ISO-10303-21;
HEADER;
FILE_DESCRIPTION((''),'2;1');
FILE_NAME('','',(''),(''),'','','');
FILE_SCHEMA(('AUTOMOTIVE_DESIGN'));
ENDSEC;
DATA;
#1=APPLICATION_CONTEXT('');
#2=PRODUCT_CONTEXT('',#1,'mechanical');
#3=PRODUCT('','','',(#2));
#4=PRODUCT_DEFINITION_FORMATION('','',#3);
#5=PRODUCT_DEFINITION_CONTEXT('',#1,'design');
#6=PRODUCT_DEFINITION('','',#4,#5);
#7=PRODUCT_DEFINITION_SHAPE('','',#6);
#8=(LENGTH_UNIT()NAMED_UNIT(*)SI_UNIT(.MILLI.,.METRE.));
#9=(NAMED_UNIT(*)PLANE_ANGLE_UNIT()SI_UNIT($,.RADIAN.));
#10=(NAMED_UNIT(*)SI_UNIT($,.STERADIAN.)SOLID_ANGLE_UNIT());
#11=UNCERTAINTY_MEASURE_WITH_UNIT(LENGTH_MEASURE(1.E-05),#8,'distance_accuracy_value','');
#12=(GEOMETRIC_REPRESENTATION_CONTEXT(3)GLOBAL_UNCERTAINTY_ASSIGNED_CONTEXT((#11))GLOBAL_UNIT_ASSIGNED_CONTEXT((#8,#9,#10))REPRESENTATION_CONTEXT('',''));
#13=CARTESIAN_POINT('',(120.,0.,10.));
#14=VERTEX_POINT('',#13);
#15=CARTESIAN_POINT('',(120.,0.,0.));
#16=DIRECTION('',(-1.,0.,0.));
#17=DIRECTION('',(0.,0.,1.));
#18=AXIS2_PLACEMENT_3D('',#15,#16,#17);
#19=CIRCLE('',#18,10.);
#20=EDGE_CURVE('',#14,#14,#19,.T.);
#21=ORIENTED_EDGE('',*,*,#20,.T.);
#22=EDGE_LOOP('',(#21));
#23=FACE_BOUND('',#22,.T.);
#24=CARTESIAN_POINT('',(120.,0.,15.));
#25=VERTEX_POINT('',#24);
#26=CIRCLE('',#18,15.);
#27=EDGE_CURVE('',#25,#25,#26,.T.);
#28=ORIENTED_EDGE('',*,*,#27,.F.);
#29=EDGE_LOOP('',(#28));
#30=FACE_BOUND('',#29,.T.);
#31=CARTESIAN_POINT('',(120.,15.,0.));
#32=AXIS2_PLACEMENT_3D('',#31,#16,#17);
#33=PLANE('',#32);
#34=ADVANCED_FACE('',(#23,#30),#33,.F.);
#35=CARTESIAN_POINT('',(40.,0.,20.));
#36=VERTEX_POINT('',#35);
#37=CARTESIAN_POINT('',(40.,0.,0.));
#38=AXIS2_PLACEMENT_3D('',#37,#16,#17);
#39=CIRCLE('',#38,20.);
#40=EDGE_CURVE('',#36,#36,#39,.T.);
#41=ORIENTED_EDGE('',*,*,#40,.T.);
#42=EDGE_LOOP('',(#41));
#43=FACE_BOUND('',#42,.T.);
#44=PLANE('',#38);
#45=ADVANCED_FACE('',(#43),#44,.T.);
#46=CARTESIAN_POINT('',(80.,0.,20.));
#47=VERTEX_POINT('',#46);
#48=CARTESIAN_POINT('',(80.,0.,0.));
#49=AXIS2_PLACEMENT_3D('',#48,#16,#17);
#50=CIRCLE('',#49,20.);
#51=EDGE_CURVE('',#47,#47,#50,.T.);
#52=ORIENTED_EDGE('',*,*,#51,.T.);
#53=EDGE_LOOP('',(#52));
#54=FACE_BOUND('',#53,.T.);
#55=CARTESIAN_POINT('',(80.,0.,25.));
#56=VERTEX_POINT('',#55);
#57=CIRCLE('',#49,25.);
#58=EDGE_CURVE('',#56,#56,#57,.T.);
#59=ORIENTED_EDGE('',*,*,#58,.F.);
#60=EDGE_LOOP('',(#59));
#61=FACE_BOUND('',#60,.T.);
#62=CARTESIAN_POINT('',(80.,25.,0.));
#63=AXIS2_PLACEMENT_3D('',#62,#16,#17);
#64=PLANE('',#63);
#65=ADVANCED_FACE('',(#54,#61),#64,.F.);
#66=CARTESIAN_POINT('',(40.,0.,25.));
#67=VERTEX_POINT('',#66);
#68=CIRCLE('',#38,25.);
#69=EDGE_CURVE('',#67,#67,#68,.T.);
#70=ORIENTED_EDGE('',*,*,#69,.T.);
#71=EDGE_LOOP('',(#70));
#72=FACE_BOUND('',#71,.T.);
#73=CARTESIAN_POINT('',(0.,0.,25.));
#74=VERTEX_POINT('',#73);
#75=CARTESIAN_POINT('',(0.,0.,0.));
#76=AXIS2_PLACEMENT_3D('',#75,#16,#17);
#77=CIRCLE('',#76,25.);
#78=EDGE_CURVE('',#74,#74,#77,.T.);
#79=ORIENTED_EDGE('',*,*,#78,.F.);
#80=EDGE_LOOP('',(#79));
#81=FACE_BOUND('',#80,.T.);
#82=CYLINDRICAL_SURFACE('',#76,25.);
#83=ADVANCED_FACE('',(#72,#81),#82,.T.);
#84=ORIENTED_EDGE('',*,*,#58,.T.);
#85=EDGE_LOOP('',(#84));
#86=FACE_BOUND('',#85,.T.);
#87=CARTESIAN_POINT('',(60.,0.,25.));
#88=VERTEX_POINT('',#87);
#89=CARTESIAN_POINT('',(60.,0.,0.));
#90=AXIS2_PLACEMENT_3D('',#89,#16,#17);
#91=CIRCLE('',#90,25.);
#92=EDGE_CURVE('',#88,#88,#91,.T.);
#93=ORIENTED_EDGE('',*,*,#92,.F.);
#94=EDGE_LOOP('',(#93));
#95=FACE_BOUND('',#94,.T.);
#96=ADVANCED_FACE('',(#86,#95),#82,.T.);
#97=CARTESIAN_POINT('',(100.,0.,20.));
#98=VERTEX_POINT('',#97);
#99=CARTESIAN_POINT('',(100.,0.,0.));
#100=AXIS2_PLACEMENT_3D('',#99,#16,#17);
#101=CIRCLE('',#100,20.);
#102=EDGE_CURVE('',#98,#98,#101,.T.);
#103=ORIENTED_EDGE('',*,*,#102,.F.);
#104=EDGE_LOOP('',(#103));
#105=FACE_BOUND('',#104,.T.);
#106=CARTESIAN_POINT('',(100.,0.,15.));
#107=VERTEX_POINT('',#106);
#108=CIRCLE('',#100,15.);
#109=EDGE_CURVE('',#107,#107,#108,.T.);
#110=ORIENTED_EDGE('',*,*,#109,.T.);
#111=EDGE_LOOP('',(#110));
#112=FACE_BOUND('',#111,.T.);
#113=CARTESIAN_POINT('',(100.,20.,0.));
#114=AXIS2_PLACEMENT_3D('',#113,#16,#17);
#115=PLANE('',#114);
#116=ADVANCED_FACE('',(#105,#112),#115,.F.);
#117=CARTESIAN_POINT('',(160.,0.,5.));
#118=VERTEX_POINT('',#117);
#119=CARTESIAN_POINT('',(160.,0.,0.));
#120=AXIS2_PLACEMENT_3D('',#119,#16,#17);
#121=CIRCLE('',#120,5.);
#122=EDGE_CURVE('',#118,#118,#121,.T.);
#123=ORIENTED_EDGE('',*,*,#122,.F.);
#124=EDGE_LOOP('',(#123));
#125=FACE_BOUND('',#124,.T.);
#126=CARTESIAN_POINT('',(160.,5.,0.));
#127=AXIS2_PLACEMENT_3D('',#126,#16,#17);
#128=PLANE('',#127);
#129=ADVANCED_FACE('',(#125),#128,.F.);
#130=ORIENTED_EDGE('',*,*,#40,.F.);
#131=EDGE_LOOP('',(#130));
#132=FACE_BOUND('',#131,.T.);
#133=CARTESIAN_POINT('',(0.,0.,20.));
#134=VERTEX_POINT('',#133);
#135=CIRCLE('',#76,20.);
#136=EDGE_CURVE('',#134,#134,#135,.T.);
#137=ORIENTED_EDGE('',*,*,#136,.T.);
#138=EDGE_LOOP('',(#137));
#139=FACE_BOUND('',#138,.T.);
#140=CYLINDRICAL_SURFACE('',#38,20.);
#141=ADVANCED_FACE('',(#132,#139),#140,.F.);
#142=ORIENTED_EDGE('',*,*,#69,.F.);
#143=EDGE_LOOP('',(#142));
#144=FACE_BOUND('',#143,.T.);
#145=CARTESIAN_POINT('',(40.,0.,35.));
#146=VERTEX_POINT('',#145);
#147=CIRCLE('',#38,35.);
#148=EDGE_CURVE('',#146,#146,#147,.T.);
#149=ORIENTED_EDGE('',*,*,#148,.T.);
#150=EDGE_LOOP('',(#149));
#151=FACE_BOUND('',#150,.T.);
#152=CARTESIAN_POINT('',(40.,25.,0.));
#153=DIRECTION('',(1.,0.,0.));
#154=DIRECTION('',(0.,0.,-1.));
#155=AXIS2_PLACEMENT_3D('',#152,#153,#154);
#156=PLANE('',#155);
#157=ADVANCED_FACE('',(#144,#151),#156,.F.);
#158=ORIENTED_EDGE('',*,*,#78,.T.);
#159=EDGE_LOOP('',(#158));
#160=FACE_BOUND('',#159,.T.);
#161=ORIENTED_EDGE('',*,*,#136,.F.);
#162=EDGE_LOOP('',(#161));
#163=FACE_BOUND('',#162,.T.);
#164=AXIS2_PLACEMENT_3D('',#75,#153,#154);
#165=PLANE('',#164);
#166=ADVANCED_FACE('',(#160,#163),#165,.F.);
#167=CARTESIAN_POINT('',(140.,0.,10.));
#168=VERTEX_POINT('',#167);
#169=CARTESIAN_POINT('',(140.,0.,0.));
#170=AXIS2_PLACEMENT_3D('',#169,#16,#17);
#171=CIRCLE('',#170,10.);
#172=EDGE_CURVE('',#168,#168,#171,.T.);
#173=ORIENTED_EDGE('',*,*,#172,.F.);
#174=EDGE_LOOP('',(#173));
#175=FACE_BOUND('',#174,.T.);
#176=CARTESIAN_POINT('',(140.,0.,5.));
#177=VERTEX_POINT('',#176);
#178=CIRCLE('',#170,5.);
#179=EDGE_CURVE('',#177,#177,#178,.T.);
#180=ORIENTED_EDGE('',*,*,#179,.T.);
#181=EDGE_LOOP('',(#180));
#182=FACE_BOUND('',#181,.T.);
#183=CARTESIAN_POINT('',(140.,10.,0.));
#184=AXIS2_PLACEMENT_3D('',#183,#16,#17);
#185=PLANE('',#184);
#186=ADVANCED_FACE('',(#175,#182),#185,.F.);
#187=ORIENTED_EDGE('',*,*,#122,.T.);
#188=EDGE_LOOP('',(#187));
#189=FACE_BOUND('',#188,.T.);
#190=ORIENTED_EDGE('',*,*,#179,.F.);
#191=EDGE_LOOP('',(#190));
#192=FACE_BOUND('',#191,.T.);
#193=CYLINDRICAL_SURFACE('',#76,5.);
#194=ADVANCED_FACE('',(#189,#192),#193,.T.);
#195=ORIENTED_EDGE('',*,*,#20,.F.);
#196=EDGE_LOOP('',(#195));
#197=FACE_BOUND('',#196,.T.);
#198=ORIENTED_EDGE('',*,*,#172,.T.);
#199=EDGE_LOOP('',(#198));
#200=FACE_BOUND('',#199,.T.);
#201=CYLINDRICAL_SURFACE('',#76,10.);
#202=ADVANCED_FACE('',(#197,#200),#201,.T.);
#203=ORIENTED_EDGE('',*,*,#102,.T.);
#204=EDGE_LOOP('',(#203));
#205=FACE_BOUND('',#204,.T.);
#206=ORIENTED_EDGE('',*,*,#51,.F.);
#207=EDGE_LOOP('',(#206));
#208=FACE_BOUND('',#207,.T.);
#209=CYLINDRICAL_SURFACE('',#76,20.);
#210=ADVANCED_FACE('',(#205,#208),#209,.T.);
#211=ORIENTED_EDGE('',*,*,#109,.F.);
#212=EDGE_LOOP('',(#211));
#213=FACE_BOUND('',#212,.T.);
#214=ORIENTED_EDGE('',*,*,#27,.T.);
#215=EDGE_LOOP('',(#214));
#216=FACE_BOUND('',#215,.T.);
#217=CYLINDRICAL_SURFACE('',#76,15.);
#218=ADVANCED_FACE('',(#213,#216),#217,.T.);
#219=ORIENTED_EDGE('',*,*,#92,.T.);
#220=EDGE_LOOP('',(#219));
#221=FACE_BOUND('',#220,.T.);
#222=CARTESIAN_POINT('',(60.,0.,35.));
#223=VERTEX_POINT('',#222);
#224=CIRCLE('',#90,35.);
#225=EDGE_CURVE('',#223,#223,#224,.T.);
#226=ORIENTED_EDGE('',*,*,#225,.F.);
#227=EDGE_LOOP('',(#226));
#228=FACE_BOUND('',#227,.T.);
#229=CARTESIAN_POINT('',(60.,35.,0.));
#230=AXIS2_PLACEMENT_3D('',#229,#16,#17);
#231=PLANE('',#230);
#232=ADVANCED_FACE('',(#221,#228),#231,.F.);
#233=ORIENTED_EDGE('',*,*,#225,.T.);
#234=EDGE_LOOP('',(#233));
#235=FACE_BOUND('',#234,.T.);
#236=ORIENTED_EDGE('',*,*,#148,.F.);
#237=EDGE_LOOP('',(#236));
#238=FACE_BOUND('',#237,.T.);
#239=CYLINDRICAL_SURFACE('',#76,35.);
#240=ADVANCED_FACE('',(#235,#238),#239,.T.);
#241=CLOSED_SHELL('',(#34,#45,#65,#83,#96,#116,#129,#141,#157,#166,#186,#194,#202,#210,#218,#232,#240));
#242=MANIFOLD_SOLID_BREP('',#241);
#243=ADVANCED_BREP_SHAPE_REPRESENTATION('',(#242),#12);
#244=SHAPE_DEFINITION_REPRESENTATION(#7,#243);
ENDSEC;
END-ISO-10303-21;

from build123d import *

# Parameters (mm, degrees)
SKETCH2_R          = 20
CUT_EXTRUDE1_DEPTH = 40


with BuildPart() as part:
    # Sketch1 → Revolve2 (revolve)
    with BuildSketch(Plane.XY, mode=Mode.PRIVATE) as revolve2_sk:
        Polygon((0, 0), (0, 25), (40, 25), (40, 35), (60, 35), (60, 25), (80, 25), (80, 20), (100, 20), (100, 15), (120, 15), (120, 10), (140, 10), (140, 5), (160, 5), (160, 0), align=None)
    revolve(revolve2_sk.sketch.rotate(Axis((0, 0, 0), (1, 0, 0)), 90), axis=Axis((0, 0, 0), (1, 0, 0)))  # turned: the seam where the file's is

    # Sketch2 → Cut-Extrude1 (cut)
    with BuildSketch(Plane.ZY):
        Circle(SKETCH2_R)
    extrude(amount=-CUT_EXTRUDE1_DEPTH, mode=Mode.SUBTRACT)


solid = part.part
